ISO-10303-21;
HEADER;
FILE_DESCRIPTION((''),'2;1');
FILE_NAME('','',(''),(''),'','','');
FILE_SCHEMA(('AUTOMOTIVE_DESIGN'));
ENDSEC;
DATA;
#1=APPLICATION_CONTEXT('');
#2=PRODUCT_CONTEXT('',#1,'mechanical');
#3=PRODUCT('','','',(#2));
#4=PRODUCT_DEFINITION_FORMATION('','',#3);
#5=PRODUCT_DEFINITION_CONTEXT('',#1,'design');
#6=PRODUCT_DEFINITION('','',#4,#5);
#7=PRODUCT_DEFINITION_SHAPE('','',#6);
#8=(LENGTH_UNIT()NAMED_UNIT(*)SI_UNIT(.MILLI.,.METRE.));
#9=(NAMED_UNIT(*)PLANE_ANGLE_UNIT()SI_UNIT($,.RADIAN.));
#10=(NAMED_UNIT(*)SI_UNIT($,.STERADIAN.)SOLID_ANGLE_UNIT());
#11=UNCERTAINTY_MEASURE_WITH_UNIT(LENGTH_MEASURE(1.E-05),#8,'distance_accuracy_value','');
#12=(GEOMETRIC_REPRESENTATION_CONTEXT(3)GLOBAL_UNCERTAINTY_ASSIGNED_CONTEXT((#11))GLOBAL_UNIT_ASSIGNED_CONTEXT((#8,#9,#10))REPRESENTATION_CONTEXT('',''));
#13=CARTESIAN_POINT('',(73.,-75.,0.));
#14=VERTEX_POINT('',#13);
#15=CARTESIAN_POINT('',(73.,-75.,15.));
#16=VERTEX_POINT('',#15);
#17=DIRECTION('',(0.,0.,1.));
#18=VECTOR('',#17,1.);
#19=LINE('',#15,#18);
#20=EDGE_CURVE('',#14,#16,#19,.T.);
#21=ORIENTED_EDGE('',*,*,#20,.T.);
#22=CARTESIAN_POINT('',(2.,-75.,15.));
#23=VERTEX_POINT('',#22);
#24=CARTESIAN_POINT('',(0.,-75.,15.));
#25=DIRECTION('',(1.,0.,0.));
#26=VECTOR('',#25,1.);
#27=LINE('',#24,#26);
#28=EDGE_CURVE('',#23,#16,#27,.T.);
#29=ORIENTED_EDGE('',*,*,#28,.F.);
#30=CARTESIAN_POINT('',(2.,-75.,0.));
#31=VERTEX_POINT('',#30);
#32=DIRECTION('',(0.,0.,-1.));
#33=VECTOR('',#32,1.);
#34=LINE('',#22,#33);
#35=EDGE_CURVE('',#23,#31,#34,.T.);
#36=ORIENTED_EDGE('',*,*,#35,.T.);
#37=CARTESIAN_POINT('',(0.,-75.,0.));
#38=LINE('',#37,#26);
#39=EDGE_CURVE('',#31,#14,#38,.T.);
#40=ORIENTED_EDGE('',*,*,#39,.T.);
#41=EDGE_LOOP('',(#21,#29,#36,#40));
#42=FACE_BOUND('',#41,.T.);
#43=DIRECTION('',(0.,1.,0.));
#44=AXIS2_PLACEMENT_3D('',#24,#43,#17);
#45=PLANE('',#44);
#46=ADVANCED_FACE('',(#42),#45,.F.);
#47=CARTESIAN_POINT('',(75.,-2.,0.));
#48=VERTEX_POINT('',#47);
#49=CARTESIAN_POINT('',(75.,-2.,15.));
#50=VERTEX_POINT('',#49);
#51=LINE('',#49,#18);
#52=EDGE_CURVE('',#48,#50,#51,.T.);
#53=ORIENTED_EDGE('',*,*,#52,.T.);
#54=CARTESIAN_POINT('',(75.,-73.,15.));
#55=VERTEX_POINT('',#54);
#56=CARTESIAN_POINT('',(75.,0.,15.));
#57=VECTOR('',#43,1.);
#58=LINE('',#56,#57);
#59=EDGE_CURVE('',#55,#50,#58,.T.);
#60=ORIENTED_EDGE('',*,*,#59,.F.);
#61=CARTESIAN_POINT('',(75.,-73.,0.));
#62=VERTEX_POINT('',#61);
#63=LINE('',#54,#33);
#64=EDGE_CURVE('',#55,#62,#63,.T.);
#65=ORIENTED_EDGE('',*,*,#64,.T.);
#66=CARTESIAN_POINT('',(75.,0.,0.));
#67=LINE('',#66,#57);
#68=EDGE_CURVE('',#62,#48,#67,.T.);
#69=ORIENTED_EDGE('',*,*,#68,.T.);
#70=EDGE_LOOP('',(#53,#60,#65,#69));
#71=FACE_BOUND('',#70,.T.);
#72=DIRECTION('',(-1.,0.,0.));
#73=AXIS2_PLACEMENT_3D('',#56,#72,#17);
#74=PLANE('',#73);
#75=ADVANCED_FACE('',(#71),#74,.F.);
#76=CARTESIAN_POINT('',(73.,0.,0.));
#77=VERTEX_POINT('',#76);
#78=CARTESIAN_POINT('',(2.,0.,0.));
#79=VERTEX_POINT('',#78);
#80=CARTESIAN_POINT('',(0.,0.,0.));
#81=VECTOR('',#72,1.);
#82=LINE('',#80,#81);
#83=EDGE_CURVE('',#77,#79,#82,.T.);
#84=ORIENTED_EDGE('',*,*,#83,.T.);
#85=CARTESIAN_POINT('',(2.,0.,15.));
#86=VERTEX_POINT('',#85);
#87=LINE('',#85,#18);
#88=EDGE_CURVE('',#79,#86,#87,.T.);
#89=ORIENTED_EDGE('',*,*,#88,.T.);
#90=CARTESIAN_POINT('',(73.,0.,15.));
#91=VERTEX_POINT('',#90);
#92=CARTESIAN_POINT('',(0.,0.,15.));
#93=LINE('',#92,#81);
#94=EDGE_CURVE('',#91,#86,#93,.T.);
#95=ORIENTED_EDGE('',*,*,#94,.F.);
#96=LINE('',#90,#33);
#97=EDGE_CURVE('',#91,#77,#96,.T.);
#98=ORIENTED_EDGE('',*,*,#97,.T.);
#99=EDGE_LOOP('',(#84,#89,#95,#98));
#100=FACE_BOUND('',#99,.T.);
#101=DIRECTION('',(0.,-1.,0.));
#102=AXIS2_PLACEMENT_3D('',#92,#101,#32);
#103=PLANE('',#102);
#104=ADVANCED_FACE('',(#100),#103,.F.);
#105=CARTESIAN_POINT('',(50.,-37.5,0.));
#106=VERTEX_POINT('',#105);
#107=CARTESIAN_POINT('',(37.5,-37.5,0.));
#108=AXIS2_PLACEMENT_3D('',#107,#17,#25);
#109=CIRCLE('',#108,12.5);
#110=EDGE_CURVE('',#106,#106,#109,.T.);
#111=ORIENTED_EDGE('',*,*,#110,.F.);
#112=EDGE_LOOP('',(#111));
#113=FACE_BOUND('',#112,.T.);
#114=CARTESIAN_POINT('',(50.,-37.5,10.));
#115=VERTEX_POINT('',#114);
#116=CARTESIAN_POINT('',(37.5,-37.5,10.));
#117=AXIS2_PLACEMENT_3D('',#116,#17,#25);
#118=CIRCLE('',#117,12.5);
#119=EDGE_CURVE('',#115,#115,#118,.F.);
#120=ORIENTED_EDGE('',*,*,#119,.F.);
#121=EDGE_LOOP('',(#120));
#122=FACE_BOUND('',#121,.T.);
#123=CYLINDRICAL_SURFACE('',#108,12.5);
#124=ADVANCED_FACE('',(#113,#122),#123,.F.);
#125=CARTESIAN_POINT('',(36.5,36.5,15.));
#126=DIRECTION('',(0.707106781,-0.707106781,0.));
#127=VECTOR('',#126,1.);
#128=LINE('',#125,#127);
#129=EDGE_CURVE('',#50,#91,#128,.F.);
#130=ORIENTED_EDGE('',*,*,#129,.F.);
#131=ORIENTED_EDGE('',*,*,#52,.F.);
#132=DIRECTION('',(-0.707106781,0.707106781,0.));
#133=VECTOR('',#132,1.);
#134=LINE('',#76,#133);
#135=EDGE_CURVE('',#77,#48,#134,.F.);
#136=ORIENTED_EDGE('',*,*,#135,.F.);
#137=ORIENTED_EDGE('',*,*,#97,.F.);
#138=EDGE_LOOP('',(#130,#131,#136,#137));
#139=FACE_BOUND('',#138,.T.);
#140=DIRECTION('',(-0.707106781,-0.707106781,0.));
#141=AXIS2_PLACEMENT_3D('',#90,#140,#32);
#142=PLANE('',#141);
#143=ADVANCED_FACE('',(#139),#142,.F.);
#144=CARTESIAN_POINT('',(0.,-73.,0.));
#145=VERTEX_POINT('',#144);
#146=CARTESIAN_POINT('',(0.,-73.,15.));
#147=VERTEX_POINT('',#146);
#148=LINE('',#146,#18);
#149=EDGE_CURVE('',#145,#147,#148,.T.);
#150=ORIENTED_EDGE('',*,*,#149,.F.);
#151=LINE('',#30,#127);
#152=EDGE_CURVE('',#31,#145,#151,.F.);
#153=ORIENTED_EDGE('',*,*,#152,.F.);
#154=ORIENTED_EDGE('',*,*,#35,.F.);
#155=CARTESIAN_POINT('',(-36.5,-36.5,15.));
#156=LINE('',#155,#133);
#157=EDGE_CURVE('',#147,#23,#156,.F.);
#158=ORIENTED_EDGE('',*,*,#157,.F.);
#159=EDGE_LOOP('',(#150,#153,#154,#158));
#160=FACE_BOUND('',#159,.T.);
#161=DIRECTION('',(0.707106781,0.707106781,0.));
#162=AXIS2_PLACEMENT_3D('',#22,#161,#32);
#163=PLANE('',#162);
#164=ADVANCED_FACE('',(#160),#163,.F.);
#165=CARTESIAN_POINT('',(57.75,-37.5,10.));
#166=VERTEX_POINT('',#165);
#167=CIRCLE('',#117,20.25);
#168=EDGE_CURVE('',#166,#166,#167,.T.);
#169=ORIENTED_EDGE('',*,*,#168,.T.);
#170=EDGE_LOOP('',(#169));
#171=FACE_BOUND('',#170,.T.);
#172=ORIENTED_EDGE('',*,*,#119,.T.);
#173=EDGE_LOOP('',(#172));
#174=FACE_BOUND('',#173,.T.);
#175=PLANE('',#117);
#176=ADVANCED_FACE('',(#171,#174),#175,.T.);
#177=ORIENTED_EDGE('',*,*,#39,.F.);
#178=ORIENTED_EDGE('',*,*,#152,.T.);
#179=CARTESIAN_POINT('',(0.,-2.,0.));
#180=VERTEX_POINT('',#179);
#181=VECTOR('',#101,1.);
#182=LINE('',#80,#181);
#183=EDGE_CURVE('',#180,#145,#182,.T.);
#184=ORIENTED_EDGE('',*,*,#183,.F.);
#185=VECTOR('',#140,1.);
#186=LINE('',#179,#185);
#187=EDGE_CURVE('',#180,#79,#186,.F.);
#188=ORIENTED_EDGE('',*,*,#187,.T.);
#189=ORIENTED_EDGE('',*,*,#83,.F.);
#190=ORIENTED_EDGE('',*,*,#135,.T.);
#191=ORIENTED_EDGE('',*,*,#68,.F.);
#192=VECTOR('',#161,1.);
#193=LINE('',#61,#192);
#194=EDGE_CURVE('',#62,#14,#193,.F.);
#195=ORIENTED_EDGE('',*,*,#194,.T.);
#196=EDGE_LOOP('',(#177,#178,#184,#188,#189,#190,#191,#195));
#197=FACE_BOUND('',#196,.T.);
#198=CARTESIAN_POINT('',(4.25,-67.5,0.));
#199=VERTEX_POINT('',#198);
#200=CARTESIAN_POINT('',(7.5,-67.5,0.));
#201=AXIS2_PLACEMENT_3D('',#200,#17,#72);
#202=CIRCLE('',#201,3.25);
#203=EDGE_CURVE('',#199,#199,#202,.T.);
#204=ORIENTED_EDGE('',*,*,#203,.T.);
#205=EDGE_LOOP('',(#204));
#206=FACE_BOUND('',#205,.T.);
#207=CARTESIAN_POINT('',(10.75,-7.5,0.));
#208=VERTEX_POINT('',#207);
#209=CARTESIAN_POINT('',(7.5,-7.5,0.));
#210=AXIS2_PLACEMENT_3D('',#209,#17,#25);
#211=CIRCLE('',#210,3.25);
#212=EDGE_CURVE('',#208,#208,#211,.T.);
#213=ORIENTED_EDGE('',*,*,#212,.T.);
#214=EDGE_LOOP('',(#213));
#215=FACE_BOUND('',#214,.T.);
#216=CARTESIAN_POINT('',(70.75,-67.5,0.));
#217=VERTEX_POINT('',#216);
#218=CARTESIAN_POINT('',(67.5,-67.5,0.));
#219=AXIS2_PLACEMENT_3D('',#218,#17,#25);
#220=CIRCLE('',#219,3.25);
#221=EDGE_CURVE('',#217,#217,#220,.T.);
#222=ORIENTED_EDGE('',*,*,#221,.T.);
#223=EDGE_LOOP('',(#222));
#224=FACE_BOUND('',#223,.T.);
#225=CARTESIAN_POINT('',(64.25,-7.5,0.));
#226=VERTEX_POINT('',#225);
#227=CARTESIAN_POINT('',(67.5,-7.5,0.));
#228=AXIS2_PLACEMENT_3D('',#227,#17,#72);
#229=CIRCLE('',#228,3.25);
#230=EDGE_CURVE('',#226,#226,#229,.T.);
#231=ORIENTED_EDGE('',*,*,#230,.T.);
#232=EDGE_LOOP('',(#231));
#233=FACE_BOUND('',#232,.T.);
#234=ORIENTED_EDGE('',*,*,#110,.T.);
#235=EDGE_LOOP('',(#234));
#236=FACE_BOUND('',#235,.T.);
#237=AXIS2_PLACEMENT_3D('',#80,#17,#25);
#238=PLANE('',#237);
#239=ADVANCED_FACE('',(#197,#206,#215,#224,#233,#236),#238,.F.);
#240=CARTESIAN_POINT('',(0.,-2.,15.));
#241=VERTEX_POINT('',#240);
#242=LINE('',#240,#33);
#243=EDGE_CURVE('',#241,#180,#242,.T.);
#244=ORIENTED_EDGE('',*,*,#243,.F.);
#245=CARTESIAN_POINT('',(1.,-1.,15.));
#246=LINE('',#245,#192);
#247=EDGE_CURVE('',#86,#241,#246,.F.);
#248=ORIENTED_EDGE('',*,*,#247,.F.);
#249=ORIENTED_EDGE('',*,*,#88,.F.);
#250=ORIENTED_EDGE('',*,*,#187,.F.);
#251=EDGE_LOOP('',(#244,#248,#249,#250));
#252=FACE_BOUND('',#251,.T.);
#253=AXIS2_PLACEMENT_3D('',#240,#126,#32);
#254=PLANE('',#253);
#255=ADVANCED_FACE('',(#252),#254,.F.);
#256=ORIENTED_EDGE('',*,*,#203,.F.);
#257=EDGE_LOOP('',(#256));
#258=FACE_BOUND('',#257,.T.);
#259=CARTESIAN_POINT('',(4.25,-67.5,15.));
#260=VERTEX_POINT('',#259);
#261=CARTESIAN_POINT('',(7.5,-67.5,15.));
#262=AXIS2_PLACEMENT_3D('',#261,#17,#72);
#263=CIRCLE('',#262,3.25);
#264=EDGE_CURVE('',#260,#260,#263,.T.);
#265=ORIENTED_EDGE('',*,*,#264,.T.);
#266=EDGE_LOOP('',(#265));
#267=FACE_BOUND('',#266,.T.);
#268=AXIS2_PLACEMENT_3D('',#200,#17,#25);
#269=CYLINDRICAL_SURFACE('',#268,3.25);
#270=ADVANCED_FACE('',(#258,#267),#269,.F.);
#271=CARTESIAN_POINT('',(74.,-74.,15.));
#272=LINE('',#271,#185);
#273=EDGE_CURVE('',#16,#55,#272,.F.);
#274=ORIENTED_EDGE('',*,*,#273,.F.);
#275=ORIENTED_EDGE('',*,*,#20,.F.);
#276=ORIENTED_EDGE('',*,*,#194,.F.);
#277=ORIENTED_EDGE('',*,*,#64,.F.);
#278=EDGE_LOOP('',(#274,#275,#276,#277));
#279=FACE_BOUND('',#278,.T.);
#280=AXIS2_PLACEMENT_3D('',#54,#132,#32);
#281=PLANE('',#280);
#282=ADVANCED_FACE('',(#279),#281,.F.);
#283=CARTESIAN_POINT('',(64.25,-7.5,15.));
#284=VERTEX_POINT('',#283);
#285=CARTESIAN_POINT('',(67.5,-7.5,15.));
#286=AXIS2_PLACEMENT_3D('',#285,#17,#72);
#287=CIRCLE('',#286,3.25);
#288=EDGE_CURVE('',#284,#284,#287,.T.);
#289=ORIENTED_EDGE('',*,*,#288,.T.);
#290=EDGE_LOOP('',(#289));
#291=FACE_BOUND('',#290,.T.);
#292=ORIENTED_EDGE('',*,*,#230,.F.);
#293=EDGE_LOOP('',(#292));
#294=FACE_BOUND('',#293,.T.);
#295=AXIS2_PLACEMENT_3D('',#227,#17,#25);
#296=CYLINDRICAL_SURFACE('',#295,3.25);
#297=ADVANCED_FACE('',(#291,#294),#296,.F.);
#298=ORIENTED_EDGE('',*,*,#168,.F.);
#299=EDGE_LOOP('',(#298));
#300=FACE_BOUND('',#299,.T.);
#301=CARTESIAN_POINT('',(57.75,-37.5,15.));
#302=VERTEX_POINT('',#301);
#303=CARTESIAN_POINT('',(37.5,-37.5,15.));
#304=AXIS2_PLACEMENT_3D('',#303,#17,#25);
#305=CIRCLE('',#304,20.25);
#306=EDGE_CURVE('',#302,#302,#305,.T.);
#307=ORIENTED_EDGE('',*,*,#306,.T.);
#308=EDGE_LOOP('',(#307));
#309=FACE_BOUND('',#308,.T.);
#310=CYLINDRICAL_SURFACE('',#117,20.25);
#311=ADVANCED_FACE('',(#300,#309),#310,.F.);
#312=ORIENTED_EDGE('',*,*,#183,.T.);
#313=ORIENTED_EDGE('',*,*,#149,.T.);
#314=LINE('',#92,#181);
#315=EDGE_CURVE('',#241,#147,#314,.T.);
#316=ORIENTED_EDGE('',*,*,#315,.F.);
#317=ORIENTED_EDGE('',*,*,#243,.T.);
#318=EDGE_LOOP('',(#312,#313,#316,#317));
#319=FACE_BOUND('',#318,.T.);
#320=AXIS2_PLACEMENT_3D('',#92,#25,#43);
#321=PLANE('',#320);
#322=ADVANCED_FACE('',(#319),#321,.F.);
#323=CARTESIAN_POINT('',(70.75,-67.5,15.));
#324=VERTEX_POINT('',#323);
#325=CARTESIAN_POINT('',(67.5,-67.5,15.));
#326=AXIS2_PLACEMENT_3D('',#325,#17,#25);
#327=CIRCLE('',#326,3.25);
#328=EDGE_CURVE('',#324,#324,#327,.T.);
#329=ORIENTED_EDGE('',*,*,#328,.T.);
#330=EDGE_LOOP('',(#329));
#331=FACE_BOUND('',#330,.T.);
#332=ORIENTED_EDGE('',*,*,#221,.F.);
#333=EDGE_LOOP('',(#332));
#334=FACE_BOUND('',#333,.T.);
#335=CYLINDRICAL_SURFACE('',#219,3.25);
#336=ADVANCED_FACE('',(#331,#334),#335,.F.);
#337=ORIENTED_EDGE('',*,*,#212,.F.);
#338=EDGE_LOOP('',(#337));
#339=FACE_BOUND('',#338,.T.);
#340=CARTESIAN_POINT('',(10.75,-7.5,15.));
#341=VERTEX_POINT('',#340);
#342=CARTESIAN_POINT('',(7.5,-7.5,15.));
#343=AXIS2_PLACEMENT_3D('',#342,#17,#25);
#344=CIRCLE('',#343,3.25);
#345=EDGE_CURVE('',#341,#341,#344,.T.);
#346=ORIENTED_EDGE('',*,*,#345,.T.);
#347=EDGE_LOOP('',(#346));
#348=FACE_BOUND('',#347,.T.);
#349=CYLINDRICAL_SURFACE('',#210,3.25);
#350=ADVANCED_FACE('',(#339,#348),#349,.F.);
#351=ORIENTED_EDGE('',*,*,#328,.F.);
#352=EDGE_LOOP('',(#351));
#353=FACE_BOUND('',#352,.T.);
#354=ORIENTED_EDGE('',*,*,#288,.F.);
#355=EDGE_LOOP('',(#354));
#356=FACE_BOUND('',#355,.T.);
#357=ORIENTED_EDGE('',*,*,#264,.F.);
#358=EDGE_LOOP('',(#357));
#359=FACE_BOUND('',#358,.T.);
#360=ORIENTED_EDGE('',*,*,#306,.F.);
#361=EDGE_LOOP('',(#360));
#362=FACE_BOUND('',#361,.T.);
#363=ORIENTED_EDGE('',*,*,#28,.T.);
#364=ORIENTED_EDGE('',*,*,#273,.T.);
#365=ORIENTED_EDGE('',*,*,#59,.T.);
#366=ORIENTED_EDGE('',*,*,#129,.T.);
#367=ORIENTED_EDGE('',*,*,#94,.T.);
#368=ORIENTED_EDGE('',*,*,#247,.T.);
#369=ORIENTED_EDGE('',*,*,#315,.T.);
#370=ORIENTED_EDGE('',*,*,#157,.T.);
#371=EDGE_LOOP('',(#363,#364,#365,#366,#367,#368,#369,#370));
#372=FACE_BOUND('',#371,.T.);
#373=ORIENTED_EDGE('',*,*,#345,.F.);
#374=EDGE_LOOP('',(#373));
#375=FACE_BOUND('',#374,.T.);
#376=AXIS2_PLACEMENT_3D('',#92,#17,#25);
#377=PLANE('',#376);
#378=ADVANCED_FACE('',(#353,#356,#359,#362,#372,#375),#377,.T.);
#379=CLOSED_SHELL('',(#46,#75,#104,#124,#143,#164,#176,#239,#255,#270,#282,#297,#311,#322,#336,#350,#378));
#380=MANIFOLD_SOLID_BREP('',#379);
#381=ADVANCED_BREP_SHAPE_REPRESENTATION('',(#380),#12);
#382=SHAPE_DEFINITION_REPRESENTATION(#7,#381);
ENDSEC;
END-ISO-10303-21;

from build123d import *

# Parameters (mm, degrees)
SKETCH_1_W          = 75
SKETCH_1_H          = 75
EXTRUDE_1_DEPTH     = 15
CHAMFER_1_SIZE      = 2
SKETCH_2_R          = 12.5
SKETCH_2_R_2        = 3.25
CUT_EXTRUDE_1_DEPTH = 16
SKETCH_3_R          = 20.25
CUT_EXTRUDE_2_DEPTH = 5


with BuildPart() as part:
    # 草图1 → 凸台-拉伸1 (new body)
    with BuildSketch(Plane.XY):
        with Locations((37.5, -37.5)):
            Rectangle(SKETCH_1_W, SKETCH_1_H)
    extrude(amount=EXTRUDE_1_DEPTH)

    # 倒角1
    chamfer_1_edges = [part.edges().sort_by_distance(p)[0] for p in [
        (0, 0, 7.5),
        (75, 0, 7.5),
        (75, -75, 7.5),
        (0, -75, 7.5),
    ]]
    chamfer(chamfer_1_edges, length=CHAMFER_1_SIZE)

    # 草图2 → 切除-拉伸1 (cut, through all)
    with BuildSketch(Plane.XY.offset(15)):
        with Locations((37.5, -37.5)):
            Circle(SKETCH_2_R)
        with Locations((7.5, -7.5)):
            Circle(SKETCH_2_R_2)
        with Locations((67.5, -7.5)):
            Circle(SKETCH_2_R_2)
        with Locations((67.5, -67.5)):
            Circle(SKETCH_2_R_2)
        with Locations((7.5, -67.5)):
            Circle(SKETCH_2_R_2)
    extrude(amount=-CUT_EXTRUDE_1_DEPTH, mode=Mode.SUBTRACT)

    # 草图3 → 切除-拉伸2 (cut)
    with BuildSketch(Plane.XY.offset(15)):
        with Locations((37.5, -37.5)):
            Circle(SKETCH_3_R)
    extrude(amount=-CUT_EXTRUDE_2_DEPTH, mode=Mode.SUBTRACT)


solid = part.part
